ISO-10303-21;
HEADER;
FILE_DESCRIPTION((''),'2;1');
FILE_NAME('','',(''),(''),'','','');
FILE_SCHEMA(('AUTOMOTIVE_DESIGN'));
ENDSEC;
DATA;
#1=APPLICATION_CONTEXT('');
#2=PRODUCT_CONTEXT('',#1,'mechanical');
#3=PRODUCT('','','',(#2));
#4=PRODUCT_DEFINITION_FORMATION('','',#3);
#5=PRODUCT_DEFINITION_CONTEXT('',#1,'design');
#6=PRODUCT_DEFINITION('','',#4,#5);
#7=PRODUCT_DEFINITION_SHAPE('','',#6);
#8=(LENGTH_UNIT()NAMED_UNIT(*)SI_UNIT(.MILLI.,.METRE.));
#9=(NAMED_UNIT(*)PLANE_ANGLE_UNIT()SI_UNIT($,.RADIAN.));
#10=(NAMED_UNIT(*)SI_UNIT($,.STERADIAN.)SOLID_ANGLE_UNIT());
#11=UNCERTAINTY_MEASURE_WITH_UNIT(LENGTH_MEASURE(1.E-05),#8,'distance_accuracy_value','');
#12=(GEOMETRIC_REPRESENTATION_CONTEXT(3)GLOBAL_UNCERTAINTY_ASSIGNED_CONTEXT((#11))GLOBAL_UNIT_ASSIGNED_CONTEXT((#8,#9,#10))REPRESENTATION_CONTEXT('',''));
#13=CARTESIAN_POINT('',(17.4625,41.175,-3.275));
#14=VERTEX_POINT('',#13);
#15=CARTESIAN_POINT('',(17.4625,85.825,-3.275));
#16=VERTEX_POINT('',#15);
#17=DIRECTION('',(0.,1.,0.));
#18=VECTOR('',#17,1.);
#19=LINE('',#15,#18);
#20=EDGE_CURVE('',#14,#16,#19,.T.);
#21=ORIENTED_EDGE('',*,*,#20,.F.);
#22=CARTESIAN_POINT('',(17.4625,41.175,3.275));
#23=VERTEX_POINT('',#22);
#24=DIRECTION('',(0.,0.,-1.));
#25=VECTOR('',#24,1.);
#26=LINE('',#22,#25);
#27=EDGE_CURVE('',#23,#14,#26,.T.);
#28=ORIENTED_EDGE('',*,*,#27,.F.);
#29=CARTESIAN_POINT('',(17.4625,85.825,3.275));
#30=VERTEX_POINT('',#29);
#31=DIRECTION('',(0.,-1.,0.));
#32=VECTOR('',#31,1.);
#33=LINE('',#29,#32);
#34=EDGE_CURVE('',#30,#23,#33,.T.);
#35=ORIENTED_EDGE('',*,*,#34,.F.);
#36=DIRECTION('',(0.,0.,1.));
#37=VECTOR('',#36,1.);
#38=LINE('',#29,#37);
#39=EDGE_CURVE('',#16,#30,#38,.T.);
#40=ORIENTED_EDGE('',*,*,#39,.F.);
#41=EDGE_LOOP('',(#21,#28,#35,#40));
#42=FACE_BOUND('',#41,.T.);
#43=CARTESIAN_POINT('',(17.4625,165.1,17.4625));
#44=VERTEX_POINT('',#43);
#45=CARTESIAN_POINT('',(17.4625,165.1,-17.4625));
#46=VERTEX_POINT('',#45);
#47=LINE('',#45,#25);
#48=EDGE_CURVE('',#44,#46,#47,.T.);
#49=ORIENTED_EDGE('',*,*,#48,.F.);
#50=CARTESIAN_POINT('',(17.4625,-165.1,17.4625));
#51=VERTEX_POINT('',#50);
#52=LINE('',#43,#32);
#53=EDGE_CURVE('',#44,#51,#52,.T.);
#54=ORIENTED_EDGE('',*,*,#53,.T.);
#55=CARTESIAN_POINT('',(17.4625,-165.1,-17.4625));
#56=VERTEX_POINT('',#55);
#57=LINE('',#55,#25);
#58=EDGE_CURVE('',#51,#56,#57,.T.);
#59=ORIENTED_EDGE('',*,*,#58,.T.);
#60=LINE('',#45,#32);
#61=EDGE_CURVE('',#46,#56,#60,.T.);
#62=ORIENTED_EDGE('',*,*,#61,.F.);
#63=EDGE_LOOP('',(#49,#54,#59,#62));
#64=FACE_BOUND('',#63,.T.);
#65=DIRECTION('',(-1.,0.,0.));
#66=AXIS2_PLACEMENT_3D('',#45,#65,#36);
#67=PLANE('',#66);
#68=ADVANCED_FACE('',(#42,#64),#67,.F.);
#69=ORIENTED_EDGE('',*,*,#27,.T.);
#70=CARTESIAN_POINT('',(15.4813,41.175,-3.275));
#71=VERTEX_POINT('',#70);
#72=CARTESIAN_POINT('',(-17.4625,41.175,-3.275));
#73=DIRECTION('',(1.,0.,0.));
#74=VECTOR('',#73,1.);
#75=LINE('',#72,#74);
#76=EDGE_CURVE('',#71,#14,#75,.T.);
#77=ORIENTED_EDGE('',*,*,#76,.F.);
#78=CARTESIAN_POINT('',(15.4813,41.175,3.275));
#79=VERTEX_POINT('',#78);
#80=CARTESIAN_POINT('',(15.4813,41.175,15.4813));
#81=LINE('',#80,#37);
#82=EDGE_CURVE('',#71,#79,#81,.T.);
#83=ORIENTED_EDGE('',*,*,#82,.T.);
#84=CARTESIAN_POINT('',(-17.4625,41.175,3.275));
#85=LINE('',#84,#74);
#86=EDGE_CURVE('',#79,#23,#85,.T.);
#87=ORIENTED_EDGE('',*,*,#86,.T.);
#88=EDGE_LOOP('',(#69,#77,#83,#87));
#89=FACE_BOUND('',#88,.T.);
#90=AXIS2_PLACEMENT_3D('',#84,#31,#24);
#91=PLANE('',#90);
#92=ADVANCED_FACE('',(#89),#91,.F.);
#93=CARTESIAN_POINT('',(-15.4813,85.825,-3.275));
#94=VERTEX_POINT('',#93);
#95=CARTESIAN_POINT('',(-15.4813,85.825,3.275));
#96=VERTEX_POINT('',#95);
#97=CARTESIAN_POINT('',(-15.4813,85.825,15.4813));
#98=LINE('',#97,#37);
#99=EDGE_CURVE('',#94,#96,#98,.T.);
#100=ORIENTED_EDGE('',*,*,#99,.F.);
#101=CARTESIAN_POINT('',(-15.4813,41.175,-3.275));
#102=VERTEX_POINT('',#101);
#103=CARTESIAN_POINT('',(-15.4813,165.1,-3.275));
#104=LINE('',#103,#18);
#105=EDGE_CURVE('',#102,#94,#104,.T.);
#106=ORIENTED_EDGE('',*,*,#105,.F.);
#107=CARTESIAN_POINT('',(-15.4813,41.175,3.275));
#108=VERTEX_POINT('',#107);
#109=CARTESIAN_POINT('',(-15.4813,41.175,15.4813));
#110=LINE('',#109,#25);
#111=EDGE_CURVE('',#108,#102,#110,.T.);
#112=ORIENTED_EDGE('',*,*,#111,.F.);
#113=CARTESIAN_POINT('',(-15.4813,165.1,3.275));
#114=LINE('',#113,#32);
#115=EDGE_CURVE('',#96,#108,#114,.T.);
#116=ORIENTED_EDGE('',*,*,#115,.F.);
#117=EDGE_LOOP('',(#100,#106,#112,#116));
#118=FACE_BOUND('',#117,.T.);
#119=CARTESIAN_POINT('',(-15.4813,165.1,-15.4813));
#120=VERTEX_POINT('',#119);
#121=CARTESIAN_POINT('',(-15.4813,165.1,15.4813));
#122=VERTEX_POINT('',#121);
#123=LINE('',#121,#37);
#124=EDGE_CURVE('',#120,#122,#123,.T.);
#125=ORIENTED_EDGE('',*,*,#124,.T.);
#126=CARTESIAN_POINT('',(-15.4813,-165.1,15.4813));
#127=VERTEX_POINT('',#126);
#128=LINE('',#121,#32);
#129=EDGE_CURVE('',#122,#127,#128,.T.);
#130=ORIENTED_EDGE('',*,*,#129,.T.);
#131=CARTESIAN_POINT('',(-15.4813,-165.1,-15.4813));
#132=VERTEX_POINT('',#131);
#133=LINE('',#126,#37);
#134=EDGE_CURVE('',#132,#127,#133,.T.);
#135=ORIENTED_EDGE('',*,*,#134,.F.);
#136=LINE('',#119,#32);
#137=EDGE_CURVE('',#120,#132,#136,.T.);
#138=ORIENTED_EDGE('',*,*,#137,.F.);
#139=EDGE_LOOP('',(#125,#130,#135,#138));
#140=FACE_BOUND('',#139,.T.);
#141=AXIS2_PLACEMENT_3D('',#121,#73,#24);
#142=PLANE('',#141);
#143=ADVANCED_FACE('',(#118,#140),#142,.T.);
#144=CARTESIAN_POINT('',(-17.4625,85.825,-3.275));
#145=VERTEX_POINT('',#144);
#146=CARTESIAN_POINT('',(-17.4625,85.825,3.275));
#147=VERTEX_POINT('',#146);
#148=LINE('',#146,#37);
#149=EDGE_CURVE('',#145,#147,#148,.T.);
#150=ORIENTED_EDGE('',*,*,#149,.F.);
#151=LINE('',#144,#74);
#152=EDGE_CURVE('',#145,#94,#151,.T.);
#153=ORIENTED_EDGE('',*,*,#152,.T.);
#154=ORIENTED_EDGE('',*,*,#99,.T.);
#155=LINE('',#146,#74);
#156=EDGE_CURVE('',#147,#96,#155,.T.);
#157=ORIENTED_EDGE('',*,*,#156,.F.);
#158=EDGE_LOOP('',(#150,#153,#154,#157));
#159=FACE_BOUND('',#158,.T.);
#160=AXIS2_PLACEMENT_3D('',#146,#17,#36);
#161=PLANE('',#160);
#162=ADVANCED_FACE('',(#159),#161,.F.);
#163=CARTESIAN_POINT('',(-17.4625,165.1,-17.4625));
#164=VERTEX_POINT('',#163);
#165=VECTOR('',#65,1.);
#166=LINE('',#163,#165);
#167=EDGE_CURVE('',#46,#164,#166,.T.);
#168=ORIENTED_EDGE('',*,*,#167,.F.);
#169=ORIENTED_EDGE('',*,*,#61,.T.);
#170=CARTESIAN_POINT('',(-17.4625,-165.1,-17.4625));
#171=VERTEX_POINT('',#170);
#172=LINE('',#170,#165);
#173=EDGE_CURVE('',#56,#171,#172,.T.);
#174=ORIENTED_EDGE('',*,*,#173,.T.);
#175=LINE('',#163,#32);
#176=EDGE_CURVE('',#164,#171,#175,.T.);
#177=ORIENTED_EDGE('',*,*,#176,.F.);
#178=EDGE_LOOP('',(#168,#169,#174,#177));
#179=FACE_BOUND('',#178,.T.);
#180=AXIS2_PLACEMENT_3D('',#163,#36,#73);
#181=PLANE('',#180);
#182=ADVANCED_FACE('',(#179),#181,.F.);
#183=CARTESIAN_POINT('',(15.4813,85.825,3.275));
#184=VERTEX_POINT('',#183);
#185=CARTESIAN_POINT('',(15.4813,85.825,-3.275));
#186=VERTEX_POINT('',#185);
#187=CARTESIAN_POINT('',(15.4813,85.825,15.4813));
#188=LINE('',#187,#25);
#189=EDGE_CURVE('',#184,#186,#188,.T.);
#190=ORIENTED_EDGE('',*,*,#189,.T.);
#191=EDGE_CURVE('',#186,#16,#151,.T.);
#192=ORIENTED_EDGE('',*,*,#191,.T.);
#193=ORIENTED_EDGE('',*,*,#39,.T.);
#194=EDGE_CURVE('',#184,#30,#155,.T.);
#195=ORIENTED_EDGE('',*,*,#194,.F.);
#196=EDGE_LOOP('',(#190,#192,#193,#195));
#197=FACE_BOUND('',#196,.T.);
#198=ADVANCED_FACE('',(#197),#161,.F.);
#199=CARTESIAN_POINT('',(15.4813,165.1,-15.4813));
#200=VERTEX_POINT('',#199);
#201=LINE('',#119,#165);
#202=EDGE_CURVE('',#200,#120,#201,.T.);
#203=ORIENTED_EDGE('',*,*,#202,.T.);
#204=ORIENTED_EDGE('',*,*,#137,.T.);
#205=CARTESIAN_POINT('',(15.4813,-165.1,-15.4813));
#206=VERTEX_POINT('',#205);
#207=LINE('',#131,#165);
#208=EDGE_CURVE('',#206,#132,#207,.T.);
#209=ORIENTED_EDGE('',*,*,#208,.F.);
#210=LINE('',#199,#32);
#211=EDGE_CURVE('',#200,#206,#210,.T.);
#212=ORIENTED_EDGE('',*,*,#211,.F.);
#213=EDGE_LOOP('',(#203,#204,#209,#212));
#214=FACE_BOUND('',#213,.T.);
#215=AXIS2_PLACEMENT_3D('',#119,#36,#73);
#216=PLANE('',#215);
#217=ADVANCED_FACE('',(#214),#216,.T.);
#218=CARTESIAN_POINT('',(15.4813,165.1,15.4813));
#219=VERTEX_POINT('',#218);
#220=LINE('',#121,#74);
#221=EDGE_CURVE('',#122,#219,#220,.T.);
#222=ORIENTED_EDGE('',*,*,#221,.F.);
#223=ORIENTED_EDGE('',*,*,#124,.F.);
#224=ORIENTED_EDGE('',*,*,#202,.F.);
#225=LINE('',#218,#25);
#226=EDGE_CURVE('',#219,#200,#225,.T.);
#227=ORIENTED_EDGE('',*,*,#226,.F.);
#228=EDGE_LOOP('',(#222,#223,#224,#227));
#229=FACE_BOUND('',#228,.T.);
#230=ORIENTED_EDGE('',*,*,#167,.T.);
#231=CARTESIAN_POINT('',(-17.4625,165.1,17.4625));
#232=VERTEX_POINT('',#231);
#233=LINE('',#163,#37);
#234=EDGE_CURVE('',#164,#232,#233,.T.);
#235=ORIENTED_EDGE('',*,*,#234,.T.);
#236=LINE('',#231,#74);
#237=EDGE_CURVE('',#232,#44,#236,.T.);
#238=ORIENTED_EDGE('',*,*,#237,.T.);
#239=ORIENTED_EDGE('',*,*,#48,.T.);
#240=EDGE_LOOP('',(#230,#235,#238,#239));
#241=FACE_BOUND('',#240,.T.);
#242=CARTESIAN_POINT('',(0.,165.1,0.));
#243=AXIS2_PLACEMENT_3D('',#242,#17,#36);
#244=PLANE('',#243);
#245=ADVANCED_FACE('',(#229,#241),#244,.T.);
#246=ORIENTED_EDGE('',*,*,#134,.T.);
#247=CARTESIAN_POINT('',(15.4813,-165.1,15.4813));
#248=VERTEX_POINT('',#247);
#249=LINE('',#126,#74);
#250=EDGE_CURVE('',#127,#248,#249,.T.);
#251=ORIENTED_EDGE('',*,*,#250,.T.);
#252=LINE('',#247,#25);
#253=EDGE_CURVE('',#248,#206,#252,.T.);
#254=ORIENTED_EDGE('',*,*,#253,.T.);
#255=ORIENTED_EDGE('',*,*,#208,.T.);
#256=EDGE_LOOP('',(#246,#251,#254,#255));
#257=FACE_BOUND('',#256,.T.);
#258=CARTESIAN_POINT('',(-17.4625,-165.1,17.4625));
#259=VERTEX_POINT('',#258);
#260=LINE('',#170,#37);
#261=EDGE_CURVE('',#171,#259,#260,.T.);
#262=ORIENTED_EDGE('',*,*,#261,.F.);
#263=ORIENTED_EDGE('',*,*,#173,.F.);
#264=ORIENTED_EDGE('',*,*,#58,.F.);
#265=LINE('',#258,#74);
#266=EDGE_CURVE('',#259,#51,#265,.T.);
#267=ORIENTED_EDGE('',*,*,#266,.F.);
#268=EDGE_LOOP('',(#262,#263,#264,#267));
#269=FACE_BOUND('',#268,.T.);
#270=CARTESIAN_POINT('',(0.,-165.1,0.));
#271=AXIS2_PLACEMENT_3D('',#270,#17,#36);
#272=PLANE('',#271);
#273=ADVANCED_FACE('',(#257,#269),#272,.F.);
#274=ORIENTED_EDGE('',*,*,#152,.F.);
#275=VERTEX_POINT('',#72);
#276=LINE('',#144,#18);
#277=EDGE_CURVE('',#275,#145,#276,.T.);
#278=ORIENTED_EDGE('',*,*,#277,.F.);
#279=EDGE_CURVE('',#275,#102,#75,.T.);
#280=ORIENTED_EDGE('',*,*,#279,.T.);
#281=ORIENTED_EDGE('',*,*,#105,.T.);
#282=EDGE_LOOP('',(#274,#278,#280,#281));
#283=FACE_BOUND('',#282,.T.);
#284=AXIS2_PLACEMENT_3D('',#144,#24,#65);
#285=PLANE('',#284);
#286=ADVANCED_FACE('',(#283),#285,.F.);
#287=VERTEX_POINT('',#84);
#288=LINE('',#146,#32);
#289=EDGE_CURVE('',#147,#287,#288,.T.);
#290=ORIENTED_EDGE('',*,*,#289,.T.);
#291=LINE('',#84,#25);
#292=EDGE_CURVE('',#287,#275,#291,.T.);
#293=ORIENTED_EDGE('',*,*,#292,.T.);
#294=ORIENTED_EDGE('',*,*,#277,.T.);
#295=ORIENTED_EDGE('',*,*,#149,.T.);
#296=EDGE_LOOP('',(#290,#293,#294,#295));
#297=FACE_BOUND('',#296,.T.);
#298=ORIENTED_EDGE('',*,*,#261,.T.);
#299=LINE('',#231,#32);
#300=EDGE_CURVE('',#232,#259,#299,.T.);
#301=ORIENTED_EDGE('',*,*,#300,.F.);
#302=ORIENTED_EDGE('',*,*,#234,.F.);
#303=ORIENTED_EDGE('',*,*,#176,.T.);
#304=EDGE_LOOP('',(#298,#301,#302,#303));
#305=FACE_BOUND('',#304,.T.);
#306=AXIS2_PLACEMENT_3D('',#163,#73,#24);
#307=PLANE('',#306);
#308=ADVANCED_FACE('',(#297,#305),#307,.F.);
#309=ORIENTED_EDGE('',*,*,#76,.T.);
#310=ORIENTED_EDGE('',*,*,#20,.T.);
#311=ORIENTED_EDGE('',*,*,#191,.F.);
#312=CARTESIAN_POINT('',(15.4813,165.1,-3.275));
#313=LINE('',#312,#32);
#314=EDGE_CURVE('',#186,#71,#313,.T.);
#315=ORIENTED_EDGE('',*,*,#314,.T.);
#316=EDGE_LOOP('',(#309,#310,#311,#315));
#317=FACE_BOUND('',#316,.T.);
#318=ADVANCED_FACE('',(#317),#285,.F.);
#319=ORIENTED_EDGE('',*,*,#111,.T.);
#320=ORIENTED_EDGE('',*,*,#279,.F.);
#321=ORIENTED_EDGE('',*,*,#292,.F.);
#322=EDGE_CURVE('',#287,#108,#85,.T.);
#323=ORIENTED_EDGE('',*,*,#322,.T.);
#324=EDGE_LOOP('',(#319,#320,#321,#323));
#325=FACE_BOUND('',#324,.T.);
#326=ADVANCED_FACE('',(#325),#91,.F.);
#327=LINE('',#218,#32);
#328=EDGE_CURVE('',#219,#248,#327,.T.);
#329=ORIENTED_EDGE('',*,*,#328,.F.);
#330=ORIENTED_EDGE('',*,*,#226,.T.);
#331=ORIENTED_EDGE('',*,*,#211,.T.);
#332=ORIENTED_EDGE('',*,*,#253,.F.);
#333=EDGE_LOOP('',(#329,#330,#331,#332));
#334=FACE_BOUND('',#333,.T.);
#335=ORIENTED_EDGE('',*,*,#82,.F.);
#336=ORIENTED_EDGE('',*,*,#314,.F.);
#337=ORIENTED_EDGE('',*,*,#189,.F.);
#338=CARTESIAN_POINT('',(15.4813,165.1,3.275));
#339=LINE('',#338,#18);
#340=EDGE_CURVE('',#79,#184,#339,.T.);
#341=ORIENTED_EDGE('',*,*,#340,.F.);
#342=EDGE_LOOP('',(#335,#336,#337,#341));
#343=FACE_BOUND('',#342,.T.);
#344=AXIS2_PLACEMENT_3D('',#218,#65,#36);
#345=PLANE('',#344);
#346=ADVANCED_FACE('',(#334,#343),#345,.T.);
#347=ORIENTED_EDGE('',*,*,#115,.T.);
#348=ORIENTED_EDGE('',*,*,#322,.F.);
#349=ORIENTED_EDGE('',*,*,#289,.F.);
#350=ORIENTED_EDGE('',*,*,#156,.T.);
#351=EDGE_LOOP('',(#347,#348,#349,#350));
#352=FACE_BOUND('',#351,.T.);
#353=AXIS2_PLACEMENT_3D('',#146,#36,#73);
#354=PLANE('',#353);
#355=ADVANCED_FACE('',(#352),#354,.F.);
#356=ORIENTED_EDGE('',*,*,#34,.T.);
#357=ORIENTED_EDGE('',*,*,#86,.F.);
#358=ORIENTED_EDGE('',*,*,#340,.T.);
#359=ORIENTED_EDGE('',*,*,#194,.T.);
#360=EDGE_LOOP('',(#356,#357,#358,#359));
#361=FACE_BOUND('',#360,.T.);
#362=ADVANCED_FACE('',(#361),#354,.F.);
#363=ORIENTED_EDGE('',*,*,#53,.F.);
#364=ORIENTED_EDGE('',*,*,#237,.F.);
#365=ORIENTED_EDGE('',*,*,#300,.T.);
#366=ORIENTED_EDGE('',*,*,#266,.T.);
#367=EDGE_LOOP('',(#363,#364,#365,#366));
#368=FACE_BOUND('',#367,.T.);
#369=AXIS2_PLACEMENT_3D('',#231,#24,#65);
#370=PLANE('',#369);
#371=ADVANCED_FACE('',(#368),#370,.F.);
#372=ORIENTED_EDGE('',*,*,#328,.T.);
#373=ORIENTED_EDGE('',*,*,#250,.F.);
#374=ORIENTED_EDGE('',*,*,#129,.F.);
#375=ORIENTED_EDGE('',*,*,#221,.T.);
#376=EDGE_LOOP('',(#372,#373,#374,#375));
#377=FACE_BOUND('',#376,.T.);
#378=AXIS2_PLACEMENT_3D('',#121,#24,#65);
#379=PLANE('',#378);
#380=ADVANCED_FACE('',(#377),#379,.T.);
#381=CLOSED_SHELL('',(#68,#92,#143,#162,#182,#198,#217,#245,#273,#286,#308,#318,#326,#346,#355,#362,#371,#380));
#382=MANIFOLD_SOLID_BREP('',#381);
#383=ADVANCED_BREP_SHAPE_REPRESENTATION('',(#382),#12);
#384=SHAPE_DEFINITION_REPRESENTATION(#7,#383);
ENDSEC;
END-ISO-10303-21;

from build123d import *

# Parameters (mm, degrees)
SKETCH1_W           = 34.925
SKETCH1_H           = 34.925
SKETCH1_W_2         = 30.9626
SKETCH1_H_2         = 30.9626
BOSS_EXTRUDE1_DEPTH = 165.1
SKETCH2_W           = 6.550000108
SKETCH2_H           = 44.650000108
CUT_EXTRUDE1_DEPTH  = 170.654662569


with BuildPart() as part:
    # Sketch1 → Boss-Extrude1 (new, symmetric)
    with BuildSketch(Plane(origin=(0, 0, 0), x_dir=(1, 0, 0), z_dir=(0, 1, 0))):
        Rectangle(SKETCH1_W, SKETCH1_H)
        Rectangle(SKETCH1_W_2, SKETCH1_H_2, mode=Mode.SUBTRACT)
    extrude(amount=BOSS_EXTRUDE1_DEPTH, both=True)

    # Sketch2 → Cut-Extrude1 (cut, through all)
    with BuildSketch(Plane(origin=(17.4625, 0, 0), x_dir=(0, 0, -1), z_dir=(1, 0, 0))):
        with Locations((0, 63.5)):
            Rectangle(SKETCH2_W, SKETCH2_H)
    extrude(amount=-CUT_EXTRUDE1_DEPTH, mode=Mode.SUBTRACT)


solid = part.part
